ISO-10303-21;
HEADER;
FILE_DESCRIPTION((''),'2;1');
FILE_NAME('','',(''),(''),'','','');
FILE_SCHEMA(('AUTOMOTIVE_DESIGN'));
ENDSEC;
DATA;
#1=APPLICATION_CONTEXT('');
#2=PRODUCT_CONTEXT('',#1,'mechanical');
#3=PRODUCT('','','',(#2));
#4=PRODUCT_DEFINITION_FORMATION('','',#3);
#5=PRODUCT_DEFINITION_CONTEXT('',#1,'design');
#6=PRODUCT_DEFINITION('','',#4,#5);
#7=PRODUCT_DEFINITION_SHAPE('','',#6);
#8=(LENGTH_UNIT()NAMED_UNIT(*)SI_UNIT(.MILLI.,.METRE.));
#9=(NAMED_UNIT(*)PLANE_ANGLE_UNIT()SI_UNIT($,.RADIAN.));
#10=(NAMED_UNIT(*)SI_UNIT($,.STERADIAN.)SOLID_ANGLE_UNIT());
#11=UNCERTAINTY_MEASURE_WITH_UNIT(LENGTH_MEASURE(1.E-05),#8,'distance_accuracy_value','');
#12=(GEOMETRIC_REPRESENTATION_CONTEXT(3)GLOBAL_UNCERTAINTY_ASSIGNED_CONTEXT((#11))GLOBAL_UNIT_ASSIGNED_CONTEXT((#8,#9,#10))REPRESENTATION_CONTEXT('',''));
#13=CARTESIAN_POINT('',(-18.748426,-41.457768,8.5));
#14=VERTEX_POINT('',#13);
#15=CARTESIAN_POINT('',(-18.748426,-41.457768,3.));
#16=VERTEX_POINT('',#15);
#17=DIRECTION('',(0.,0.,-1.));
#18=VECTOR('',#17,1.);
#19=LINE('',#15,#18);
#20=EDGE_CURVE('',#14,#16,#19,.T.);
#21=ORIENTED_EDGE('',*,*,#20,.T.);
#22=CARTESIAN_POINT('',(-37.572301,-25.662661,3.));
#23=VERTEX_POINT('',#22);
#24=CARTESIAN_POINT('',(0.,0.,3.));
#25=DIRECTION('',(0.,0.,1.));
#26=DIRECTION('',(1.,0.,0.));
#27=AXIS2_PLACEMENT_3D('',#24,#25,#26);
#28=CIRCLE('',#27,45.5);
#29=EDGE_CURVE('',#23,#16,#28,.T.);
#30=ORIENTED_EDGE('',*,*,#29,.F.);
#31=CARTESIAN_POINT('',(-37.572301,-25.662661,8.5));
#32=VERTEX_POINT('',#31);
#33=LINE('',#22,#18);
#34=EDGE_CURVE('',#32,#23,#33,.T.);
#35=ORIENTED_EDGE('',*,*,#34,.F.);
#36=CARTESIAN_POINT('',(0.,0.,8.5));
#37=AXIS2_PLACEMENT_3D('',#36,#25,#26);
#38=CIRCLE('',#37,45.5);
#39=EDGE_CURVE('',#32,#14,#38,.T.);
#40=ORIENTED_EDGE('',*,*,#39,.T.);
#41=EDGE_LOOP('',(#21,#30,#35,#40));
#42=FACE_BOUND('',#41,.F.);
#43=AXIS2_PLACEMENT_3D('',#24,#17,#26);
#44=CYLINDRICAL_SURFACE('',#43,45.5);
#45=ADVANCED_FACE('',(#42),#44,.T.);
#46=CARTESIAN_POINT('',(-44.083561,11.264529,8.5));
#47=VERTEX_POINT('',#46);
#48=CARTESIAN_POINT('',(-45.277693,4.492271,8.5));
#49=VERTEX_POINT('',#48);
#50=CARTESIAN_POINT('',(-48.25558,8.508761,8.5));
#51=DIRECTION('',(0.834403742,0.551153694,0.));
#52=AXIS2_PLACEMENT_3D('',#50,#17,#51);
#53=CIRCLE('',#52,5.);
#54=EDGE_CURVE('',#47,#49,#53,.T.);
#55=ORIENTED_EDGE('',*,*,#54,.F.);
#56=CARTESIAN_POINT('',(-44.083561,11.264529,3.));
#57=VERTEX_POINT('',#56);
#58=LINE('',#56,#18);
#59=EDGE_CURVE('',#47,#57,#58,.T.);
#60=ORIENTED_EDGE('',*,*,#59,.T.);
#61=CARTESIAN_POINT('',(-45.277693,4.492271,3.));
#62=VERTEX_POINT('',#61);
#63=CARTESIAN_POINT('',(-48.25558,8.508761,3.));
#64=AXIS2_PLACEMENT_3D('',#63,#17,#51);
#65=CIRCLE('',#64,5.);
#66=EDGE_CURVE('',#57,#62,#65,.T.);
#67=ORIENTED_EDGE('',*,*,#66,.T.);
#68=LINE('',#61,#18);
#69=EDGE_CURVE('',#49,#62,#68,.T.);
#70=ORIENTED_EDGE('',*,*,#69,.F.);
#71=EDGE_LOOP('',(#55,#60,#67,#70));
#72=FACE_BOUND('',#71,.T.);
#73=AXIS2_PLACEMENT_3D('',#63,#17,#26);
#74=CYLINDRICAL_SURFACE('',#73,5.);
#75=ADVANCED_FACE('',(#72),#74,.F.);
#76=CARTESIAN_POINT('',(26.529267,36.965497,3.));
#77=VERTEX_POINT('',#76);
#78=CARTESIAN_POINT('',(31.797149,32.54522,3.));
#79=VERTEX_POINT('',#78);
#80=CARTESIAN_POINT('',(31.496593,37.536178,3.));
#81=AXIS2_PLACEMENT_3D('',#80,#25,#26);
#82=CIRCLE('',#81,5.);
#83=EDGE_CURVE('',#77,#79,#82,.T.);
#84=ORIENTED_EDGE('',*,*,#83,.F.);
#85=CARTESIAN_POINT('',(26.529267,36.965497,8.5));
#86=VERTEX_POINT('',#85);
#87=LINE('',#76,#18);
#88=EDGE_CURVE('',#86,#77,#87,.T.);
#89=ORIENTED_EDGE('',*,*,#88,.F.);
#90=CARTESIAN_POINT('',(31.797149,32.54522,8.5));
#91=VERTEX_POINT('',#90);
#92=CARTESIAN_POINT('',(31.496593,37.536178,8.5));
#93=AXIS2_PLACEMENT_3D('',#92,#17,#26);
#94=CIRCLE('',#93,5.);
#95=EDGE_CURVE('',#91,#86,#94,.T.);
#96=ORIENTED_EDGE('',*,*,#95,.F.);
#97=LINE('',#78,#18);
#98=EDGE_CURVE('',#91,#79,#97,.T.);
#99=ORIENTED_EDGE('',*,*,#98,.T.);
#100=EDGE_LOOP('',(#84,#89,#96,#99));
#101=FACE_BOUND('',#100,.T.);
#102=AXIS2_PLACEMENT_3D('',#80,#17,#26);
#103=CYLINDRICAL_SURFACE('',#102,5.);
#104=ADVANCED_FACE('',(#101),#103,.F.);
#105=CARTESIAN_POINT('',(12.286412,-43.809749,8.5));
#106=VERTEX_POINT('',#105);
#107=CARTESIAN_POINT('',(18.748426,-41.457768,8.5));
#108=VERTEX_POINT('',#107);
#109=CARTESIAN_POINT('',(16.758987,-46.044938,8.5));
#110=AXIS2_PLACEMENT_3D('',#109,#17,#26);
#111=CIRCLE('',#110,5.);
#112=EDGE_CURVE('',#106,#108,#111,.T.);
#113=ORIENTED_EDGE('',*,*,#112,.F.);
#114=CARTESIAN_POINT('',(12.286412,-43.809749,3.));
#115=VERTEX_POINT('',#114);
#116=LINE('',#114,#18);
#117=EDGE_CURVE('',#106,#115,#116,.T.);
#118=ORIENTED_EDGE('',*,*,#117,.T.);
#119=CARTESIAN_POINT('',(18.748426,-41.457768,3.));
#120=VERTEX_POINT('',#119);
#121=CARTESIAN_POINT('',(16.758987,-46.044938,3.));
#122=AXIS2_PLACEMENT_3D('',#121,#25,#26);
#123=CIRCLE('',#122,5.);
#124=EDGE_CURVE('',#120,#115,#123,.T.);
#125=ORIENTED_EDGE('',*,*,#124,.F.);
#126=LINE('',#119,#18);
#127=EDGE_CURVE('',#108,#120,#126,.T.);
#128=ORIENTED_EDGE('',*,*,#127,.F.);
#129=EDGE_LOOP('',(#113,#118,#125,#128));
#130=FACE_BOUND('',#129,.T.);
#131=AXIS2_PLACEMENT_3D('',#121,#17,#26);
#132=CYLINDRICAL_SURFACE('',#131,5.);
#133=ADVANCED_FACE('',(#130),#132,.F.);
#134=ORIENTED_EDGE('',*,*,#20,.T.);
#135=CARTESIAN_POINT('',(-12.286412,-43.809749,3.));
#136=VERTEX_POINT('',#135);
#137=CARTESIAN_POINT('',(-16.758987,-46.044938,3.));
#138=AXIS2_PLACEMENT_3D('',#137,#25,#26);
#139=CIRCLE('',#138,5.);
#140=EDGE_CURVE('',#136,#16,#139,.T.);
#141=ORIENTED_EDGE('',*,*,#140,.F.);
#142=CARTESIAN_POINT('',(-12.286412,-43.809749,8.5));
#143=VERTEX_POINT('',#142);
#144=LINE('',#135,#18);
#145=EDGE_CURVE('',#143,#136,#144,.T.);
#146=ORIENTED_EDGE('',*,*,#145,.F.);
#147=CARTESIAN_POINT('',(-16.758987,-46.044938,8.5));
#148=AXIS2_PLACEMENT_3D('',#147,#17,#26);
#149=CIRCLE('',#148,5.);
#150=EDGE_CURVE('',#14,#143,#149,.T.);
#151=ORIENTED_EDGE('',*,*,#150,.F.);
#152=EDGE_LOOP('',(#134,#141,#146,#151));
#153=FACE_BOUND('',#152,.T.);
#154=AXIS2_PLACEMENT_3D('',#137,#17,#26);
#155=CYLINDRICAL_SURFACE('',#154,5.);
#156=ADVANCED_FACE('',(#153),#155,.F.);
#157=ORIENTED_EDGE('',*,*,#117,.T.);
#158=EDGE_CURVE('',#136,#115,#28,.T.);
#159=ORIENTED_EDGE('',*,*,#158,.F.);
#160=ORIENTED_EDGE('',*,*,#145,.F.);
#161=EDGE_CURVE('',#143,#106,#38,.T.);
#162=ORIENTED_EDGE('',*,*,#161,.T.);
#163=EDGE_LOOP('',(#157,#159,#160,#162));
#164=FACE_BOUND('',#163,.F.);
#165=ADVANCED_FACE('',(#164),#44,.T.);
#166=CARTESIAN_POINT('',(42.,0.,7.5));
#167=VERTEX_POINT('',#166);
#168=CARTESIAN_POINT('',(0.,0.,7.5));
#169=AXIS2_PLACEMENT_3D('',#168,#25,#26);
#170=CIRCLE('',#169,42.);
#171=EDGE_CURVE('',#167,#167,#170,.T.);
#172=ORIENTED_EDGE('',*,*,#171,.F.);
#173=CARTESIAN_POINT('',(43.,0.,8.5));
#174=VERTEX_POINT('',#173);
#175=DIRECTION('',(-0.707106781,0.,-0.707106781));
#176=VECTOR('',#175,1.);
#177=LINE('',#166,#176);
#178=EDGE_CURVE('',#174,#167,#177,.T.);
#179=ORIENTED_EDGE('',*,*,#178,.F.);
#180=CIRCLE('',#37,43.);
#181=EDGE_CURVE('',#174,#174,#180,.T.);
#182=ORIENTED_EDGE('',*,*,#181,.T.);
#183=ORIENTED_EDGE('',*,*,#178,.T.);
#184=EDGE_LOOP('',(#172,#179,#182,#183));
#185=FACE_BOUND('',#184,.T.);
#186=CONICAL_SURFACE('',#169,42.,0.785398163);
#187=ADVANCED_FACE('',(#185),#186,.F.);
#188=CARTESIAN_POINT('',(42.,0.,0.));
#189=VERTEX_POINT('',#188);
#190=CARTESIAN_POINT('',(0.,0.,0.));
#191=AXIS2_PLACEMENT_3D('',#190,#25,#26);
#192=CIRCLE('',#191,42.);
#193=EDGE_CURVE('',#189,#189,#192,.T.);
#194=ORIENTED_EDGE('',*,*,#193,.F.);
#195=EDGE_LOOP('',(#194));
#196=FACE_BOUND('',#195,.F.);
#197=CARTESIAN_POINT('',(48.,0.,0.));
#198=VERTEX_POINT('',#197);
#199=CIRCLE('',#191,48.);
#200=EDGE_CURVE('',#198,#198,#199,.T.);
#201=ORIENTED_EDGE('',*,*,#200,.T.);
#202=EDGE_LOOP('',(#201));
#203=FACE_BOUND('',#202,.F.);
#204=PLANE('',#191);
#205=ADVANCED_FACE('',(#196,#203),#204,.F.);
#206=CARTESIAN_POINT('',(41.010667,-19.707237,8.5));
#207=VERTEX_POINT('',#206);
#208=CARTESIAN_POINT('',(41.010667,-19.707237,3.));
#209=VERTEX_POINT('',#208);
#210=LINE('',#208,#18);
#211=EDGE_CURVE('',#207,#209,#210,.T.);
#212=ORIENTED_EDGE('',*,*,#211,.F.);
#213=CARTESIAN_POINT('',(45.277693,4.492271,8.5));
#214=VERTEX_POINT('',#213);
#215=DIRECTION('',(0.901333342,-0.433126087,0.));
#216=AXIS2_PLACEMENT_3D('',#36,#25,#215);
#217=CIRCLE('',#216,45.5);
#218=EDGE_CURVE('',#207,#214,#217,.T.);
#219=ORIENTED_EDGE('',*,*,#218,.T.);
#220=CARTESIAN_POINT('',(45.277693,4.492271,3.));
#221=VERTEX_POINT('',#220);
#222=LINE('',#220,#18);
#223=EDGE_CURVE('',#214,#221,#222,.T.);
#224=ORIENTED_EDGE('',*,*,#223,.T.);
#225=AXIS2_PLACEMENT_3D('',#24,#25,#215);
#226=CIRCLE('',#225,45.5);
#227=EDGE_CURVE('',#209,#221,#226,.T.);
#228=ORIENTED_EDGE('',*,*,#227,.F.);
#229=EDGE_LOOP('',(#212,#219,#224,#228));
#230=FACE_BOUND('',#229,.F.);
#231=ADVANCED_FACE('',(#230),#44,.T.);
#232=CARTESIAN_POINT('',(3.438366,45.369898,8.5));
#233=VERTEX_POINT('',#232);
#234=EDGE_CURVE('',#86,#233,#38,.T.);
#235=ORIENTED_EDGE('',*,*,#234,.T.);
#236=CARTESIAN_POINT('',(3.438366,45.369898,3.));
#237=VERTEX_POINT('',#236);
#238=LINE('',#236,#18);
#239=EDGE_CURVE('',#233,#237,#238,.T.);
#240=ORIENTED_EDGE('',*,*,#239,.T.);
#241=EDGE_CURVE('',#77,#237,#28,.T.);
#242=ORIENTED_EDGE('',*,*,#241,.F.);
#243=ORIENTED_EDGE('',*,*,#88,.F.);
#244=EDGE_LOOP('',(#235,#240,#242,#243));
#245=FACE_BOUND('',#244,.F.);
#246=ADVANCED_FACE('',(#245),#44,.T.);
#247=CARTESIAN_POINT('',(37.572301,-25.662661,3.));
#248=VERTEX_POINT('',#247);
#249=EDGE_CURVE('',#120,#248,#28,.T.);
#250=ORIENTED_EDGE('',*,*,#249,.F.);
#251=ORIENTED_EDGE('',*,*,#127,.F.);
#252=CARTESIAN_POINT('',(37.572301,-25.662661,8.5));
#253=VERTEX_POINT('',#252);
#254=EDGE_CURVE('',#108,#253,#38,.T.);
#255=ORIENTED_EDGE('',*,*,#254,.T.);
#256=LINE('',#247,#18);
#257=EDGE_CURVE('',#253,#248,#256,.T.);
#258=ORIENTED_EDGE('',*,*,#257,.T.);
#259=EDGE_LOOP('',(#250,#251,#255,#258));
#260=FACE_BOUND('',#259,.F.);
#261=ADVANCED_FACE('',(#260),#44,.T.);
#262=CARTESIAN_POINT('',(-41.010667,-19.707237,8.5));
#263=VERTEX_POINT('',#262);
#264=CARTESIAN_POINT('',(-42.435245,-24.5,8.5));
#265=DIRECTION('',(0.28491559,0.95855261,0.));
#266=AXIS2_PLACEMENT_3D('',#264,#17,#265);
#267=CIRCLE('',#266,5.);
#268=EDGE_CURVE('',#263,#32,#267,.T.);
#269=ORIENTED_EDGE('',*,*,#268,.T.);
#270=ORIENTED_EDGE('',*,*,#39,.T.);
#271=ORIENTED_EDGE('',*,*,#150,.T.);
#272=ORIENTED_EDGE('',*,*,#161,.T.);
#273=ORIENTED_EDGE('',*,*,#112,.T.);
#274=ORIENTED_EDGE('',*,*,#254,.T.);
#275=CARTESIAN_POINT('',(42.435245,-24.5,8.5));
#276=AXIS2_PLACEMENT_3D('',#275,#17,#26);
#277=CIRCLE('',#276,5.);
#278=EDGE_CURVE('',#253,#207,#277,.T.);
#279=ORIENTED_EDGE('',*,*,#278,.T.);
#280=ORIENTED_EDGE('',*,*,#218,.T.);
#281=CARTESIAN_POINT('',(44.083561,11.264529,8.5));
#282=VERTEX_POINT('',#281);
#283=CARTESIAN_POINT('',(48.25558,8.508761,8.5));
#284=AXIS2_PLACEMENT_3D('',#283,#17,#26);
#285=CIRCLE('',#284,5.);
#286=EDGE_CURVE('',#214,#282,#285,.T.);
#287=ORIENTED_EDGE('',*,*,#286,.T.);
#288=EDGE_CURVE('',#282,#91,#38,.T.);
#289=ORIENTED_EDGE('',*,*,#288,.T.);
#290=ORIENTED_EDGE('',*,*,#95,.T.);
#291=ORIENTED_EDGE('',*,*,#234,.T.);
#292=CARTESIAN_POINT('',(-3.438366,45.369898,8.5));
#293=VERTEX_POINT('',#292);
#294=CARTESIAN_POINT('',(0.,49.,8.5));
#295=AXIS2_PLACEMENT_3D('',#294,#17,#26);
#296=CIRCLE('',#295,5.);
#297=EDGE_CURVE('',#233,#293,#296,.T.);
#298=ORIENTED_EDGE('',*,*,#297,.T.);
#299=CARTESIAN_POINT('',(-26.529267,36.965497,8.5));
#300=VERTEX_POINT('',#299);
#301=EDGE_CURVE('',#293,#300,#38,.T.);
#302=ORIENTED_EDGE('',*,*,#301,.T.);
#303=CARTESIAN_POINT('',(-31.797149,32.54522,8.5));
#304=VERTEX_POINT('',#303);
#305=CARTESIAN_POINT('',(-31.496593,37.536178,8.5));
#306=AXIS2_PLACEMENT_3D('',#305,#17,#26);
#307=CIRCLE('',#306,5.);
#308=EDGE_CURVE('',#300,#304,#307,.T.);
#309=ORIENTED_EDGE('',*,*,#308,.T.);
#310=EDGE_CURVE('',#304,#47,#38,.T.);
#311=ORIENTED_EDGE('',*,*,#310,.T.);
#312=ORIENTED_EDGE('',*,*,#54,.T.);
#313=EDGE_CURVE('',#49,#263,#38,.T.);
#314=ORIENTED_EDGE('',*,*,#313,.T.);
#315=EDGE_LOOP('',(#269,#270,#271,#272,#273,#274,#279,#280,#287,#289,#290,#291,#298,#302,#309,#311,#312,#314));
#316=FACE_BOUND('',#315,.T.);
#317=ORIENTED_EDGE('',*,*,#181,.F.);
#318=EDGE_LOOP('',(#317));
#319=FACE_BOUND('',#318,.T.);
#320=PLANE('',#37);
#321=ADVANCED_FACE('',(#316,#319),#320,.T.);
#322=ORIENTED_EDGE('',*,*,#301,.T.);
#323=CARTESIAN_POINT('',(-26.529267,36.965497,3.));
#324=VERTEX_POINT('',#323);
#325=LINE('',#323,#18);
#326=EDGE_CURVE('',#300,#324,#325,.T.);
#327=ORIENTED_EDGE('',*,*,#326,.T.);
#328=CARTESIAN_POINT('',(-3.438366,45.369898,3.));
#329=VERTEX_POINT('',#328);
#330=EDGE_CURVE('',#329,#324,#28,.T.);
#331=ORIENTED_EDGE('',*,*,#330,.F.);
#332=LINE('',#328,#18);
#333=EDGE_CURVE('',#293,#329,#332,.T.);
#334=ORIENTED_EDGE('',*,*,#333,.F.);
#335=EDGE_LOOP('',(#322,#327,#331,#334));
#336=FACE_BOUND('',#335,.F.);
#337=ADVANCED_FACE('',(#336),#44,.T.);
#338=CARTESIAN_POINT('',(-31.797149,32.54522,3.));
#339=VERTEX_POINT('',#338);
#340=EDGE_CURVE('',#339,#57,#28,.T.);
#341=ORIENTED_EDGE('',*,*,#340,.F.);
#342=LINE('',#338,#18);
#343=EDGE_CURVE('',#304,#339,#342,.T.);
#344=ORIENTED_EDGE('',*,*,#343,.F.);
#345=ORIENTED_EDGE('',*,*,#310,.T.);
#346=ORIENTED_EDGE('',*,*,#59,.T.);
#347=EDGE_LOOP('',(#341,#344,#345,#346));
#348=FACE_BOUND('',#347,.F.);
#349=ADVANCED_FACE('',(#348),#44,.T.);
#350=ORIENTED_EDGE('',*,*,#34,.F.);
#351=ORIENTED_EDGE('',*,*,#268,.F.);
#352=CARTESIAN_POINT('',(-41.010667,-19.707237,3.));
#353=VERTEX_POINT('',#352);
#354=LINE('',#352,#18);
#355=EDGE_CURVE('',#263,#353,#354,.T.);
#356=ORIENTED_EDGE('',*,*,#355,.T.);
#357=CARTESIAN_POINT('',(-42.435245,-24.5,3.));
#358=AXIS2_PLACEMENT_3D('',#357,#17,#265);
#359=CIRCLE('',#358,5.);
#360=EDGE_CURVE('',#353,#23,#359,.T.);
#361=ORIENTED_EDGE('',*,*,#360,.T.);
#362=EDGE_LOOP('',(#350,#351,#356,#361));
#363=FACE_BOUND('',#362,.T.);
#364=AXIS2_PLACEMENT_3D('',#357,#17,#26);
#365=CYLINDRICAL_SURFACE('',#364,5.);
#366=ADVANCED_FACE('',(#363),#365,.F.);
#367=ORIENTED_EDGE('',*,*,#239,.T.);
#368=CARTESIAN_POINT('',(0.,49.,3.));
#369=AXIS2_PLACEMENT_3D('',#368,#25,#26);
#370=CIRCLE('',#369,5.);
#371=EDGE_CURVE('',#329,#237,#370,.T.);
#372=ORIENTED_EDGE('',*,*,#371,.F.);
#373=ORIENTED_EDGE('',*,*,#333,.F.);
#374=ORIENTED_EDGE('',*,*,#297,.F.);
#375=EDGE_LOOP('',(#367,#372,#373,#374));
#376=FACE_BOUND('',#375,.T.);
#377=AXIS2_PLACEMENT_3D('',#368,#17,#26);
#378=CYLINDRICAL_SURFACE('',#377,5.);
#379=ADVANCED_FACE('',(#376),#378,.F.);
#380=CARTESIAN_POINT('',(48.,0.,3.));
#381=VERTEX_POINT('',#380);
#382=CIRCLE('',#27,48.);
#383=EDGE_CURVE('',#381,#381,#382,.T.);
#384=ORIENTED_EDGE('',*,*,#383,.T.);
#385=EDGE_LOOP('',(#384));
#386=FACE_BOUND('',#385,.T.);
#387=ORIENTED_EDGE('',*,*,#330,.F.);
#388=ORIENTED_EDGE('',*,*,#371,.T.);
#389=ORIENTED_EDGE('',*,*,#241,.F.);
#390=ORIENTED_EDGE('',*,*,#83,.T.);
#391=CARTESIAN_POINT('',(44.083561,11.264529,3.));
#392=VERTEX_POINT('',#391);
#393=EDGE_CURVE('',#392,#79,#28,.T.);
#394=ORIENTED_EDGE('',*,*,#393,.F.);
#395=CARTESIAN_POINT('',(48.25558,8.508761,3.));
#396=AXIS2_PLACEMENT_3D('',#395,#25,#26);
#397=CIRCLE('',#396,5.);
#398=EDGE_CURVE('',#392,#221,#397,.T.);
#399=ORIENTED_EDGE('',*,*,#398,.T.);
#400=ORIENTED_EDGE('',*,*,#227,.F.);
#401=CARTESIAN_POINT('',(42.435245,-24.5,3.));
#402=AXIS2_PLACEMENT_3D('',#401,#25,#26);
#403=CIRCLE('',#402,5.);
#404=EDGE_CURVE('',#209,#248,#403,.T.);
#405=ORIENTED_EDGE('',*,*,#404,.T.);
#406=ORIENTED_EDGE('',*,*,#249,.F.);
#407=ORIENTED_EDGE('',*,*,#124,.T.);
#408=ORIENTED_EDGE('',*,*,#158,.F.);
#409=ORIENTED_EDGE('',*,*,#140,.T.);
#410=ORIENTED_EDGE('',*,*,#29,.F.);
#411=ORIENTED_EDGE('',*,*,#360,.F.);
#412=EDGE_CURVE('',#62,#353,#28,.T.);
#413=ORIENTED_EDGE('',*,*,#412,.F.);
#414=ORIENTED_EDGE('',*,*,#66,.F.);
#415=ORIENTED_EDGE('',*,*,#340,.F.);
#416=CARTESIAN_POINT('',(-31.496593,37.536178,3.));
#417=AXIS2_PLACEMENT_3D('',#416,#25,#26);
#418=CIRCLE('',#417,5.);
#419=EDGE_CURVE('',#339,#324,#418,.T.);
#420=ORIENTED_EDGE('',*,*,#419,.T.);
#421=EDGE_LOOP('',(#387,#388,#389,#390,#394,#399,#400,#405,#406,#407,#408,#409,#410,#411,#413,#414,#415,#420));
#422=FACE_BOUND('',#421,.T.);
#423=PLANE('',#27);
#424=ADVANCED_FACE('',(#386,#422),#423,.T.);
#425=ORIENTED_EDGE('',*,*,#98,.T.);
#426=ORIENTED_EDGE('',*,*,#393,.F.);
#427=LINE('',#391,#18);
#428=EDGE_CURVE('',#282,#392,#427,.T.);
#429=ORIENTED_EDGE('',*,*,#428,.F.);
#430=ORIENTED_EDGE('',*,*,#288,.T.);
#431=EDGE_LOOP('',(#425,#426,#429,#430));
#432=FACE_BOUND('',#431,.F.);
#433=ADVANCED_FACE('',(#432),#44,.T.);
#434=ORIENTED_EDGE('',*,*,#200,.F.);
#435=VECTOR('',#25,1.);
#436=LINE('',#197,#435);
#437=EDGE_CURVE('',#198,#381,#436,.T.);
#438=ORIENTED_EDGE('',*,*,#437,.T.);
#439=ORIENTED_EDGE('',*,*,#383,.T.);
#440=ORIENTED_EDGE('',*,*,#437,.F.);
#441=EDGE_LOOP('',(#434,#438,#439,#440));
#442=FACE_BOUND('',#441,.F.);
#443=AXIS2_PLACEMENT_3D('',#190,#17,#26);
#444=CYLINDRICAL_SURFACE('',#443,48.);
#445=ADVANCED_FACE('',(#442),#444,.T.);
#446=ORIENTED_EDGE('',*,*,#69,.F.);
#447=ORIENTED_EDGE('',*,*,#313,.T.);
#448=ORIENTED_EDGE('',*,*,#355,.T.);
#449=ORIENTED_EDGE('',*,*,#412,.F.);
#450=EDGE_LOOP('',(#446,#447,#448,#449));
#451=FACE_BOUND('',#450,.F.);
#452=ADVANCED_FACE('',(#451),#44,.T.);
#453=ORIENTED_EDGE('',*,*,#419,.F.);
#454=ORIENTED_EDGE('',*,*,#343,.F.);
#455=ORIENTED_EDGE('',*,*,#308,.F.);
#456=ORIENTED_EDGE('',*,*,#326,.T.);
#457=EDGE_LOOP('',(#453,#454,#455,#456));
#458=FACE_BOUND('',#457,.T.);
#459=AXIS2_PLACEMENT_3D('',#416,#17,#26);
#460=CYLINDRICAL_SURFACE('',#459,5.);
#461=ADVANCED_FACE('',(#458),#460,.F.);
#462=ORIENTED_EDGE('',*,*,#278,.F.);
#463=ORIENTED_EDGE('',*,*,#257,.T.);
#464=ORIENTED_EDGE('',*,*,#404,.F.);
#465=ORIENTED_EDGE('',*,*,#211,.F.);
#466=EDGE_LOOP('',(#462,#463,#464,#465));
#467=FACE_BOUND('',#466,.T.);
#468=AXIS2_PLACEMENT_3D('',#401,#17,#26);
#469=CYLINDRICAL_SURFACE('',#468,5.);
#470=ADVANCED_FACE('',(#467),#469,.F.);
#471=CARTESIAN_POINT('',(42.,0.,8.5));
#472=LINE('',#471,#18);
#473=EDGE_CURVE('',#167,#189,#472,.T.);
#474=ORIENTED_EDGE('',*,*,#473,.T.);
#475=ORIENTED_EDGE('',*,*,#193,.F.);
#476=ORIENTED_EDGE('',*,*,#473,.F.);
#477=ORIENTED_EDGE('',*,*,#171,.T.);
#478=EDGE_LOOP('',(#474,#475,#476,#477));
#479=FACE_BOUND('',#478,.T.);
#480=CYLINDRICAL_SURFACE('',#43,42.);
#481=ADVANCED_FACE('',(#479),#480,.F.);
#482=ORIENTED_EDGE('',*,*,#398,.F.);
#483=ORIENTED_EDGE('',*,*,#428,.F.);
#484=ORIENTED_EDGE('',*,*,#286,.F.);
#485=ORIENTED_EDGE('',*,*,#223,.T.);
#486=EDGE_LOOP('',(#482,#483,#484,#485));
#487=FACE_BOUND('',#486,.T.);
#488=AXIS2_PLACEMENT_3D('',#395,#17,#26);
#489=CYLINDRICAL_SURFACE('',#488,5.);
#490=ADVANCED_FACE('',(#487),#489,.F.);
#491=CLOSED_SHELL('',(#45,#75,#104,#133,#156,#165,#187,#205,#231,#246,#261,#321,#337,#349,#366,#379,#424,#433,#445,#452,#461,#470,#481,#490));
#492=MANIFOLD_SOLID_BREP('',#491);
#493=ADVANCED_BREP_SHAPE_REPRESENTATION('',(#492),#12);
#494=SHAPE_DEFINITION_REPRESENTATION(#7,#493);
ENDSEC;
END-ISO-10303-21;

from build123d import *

# Parameters (mm, degrees)
SKETCH_R      = 48
SKETCH_R_2    = 42
PAD_DEPTH     = 3
SKETCH001_R   = 45.5
SKETCH001_R_2 = 42
PAD001_DEPTH  = 5.5
CHAMFER_SIZE  = 1
SKETCH002_R   = 5
POCKET_DEPTH  = 5.501


with BuildPart() as part:
    # Sketch → Pad (new body)
    with BuildSketch(Plane.XY):
        Circle(SKETCH_R)
        Circle(SKETCH_R_2, mode=Mode.SUBTRACT)
    extrude(amount=PAD_DEPTH)

    # Sketch001 (on Face4 of Pad) → Pad001 (join)
    with BuildSketch(Plane.XY.offset(3)):
        Circle(SKETCH001_R)
        Circle(SKETCH001_R_2, mode=Mode.SUBTRACT)
    extrude(amount=PAD001_DEPTH)

    # Chamfer
    chamfer_edges = [part.edges().sort_by_distance(p)[0] for p in [
        (-42, 0, 8.5),
    ]]
    chamfer(chamfer_edges, length=CHAMFER_SIZE)

    # Sketch002 → Pocket (cut, through all)
    with BuildSketch(Plane.XY.offset(3)):
        with Locations((31.496593, 37.536178)):
            Circle(SKETCH002_R)
        with Locations((48.25558, 8.508761)):
            Circle(SKETCH002_R)
        with Locations((42.435245, -24.5)):
            Circle(SKETCH002_R)
        with Locations((16.758987, -46.044938)):
            Circle(SKETCH002_R)
        with Locations((-16.758987, -46.044938)):
            Circle(SKETCH002_R)
        with Locations((-42.435245, -24.5)):
            Circle(SKETCH002_R)
        with Locations((-48.25558, 8.508761)):
            Circle(SKETCH002_R)
        with Locations((-31.496593, 37.536178)):
            Circle(SKETCH002_R)
        with Locations((0, 49)):
            Circle(SKETCH002_R)
    extrude(amount=POCKET_DEPTH, mode=Mode.SUBTRACT)


solid = part.part
